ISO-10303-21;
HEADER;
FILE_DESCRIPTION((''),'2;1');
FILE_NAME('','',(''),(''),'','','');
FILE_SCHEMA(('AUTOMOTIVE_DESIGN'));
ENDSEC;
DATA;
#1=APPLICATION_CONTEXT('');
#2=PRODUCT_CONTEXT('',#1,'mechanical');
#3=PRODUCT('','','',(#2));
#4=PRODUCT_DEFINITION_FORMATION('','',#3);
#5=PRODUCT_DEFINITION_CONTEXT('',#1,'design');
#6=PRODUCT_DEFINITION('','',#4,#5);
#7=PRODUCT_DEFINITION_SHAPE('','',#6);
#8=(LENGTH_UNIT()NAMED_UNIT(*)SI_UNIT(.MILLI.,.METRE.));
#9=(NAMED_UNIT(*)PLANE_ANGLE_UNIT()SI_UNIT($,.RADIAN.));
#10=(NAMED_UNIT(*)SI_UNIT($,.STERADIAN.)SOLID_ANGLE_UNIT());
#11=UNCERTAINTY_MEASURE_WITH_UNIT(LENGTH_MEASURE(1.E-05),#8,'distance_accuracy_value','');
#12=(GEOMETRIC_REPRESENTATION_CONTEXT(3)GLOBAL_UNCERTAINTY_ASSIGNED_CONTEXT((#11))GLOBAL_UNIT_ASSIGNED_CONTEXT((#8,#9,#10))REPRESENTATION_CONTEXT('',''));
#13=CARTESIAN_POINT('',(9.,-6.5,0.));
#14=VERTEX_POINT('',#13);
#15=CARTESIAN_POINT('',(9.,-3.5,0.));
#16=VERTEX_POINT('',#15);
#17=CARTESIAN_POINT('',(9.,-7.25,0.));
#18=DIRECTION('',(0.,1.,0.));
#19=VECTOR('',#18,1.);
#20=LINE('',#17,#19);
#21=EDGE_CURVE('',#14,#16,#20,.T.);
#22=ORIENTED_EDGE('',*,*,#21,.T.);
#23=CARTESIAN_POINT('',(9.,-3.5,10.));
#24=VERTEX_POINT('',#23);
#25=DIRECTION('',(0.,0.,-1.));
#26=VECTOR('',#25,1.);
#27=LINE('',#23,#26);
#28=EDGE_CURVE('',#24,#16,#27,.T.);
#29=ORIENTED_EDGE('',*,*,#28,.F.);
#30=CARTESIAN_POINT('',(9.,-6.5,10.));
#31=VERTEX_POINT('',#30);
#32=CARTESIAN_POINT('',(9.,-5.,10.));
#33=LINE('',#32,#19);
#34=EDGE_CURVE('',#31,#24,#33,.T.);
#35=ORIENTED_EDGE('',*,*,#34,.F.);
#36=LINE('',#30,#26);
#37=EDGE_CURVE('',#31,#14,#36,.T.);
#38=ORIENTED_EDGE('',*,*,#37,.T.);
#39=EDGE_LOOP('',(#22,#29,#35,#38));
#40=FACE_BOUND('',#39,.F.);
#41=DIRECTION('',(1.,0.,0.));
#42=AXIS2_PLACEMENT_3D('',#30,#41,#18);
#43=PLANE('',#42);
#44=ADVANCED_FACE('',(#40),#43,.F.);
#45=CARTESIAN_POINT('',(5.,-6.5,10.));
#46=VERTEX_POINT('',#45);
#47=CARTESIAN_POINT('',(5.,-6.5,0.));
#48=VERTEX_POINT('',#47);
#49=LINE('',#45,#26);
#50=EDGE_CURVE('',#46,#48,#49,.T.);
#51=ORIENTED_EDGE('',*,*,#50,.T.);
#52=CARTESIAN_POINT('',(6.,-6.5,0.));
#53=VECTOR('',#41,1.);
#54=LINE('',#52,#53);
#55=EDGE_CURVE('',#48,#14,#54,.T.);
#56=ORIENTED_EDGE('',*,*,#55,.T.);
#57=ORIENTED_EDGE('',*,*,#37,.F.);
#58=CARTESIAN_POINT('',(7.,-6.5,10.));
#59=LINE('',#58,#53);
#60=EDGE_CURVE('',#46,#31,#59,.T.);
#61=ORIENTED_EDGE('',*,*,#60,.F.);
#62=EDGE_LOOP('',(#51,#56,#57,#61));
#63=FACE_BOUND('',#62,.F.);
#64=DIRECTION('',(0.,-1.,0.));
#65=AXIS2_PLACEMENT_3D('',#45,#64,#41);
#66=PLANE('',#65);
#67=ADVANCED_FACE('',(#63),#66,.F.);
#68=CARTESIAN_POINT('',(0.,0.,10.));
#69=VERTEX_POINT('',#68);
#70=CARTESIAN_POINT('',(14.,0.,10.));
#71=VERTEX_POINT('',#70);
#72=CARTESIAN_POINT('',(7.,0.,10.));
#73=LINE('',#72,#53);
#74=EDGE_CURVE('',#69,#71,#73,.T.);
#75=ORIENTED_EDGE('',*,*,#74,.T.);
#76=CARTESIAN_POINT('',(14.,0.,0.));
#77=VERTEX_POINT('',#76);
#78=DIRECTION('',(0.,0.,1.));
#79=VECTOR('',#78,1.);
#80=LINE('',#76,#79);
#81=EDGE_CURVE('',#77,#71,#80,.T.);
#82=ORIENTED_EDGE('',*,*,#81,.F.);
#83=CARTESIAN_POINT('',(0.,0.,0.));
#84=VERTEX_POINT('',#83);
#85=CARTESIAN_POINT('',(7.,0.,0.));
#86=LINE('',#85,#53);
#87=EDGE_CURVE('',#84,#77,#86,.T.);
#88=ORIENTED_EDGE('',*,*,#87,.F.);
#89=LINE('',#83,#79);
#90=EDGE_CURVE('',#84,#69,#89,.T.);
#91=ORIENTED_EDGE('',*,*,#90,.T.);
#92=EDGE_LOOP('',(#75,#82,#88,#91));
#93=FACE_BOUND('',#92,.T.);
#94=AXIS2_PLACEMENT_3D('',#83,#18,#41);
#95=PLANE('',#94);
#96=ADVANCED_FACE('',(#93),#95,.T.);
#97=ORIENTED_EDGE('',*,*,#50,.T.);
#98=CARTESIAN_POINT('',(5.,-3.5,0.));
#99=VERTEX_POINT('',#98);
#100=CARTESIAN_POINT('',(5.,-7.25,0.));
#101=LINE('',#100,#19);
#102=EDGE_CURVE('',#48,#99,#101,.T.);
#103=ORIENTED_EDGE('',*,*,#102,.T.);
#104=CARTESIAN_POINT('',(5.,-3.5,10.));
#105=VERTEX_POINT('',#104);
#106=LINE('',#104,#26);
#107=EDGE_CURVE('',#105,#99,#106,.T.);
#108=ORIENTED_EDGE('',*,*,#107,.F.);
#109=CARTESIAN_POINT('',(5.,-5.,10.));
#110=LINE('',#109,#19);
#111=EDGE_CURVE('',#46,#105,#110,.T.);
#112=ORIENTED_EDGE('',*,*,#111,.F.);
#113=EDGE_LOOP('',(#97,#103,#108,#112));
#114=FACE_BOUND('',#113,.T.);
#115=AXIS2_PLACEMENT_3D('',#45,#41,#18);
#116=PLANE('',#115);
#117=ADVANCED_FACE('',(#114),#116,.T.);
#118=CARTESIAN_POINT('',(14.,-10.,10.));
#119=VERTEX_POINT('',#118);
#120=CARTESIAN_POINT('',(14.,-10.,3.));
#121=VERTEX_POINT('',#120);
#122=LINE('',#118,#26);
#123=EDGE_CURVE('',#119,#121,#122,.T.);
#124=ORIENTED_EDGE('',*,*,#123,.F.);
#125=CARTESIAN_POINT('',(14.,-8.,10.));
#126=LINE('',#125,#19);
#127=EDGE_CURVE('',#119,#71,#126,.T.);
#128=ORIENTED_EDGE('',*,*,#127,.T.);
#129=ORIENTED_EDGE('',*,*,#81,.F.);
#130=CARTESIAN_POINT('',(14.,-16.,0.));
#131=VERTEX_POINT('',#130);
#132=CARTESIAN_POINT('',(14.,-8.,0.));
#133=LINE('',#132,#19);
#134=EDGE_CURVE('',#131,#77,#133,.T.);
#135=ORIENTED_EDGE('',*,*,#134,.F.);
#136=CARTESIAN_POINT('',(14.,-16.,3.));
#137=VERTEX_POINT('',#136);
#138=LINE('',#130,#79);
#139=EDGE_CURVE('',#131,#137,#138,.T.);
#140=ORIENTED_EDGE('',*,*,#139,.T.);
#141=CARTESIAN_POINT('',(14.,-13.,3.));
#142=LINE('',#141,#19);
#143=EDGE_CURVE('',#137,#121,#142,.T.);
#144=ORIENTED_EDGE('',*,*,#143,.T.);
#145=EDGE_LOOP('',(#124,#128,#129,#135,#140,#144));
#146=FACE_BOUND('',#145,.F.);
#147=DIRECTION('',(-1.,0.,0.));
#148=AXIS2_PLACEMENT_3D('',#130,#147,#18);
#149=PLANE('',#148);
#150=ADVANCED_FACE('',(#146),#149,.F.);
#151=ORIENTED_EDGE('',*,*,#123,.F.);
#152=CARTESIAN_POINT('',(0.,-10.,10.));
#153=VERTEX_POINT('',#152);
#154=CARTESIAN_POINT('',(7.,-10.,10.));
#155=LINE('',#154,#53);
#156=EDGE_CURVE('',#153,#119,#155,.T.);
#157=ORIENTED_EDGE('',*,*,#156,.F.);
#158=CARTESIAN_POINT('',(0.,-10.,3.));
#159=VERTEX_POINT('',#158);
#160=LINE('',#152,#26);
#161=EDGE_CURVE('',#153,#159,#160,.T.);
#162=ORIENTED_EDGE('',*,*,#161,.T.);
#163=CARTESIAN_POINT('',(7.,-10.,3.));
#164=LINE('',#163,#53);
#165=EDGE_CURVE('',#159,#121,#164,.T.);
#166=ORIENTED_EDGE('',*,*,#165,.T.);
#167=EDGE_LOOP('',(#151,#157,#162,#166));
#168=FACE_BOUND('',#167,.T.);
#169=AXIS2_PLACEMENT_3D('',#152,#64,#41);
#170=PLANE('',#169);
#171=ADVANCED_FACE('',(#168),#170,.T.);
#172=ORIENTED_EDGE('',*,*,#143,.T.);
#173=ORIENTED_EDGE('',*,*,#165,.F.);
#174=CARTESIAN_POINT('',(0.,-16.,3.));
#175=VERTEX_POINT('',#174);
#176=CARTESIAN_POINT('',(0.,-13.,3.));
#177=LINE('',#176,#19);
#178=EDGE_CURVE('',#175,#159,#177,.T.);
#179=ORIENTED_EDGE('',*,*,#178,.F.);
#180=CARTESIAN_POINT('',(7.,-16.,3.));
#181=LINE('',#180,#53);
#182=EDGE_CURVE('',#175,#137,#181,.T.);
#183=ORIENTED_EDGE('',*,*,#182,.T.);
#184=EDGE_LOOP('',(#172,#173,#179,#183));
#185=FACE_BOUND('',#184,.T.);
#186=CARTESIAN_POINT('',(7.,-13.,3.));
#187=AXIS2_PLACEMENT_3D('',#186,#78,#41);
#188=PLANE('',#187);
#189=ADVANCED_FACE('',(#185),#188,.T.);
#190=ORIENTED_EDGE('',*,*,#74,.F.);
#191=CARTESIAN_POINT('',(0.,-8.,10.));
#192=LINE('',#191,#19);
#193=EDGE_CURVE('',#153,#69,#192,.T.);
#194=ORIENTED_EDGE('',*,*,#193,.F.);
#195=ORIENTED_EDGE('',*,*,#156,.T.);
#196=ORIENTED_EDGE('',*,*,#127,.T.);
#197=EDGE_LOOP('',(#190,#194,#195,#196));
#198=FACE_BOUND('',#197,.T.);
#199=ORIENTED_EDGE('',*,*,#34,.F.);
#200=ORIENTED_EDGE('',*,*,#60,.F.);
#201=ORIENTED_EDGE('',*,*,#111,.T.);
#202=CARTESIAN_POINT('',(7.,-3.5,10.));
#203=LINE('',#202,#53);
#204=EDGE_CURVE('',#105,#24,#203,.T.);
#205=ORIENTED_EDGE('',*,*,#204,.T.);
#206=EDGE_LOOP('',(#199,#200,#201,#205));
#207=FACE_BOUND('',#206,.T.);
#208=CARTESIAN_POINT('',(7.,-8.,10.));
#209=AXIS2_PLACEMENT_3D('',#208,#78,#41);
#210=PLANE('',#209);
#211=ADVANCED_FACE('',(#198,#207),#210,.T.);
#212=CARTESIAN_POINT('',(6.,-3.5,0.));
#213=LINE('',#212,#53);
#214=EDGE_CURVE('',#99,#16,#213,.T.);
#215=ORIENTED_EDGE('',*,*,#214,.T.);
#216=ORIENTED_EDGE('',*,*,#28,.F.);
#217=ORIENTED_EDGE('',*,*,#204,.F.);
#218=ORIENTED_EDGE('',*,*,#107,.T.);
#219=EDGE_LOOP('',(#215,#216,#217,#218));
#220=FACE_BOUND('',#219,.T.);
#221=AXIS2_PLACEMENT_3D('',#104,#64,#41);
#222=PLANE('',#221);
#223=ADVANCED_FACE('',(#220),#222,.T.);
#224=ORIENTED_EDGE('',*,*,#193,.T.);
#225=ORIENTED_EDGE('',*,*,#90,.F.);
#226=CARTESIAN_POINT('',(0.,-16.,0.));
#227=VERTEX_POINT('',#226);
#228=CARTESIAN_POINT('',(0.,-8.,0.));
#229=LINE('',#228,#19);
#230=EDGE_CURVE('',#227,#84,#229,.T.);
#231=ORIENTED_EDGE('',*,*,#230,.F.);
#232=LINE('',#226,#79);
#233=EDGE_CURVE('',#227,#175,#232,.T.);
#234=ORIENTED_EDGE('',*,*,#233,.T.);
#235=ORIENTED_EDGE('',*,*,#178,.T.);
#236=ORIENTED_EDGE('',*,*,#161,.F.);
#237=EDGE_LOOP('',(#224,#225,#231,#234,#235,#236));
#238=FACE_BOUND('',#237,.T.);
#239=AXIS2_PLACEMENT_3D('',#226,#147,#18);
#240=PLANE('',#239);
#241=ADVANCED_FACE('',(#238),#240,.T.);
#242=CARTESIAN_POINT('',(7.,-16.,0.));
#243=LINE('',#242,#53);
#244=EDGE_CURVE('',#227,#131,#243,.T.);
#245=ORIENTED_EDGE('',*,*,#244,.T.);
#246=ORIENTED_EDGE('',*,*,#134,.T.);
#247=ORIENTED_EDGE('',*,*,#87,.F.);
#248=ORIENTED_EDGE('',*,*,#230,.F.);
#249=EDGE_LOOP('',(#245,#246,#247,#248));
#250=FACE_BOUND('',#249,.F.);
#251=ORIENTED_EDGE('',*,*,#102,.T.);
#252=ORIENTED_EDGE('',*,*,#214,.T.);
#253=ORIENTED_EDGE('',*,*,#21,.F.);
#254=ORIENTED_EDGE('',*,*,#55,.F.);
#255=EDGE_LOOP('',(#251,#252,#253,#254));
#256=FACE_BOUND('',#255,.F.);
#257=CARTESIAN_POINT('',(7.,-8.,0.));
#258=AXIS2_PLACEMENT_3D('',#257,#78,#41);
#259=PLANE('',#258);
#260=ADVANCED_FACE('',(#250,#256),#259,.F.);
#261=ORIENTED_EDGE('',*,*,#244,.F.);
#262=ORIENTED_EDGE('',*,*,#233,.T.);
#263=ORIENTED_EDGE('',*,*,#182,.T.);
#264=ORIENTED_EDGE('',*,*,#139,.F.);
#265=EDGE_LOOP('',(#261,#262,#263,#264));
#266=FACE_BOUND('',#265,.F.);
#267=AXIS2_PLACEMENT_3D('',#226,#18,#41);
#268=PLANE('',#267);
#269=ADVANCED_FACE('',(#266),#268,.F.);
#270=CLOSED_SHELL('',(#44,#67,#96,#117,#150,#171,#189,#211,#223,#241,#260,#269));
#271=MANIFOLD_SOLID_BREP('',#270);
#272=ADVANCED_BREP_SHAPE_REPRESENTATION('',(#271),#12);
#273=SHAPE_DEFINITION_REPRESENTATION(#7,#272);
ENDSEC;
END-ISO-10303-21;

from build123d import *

# Parameters (mm, degrees)
F0_W     = 14
F0_H     = 16
F1_DEPTH = 10
F2_W     = 14
F2_H     = 6
F3_DEPTH = 7
F4_W     = 4
F4_H     = 3
F5_DEPTH = 10.001


with BuildPart() as f1:
    # F0 (on Top) → F1 (new body)
    with BuildSketch(Plane.XY):
        with Locations((7, -8)):
            Rectangle(F0_W, F0_H)
    extrude(amount=F1_DEPTH)

    # F2 (on face) → F3 (cut)
    with BuildSketch(Plane.XY.offset(10)):
        with Locations((7, -13)):
            Rectangle(F2_W, F2_H)
    extrude(amount=-F3_DEPTH, mode=Mode.SUBTRACT)

    # F4 (on face) → F5 (cut, through all)
    with BuildSketch(Plane.XY.offset(10)):
        with Locations((7, -5)):
            Rectangle(F4_W, F4_H)
    extrude(amount=-F5_DEPTH, mode=Mode.SUBTRACT)


solid = f1.part
